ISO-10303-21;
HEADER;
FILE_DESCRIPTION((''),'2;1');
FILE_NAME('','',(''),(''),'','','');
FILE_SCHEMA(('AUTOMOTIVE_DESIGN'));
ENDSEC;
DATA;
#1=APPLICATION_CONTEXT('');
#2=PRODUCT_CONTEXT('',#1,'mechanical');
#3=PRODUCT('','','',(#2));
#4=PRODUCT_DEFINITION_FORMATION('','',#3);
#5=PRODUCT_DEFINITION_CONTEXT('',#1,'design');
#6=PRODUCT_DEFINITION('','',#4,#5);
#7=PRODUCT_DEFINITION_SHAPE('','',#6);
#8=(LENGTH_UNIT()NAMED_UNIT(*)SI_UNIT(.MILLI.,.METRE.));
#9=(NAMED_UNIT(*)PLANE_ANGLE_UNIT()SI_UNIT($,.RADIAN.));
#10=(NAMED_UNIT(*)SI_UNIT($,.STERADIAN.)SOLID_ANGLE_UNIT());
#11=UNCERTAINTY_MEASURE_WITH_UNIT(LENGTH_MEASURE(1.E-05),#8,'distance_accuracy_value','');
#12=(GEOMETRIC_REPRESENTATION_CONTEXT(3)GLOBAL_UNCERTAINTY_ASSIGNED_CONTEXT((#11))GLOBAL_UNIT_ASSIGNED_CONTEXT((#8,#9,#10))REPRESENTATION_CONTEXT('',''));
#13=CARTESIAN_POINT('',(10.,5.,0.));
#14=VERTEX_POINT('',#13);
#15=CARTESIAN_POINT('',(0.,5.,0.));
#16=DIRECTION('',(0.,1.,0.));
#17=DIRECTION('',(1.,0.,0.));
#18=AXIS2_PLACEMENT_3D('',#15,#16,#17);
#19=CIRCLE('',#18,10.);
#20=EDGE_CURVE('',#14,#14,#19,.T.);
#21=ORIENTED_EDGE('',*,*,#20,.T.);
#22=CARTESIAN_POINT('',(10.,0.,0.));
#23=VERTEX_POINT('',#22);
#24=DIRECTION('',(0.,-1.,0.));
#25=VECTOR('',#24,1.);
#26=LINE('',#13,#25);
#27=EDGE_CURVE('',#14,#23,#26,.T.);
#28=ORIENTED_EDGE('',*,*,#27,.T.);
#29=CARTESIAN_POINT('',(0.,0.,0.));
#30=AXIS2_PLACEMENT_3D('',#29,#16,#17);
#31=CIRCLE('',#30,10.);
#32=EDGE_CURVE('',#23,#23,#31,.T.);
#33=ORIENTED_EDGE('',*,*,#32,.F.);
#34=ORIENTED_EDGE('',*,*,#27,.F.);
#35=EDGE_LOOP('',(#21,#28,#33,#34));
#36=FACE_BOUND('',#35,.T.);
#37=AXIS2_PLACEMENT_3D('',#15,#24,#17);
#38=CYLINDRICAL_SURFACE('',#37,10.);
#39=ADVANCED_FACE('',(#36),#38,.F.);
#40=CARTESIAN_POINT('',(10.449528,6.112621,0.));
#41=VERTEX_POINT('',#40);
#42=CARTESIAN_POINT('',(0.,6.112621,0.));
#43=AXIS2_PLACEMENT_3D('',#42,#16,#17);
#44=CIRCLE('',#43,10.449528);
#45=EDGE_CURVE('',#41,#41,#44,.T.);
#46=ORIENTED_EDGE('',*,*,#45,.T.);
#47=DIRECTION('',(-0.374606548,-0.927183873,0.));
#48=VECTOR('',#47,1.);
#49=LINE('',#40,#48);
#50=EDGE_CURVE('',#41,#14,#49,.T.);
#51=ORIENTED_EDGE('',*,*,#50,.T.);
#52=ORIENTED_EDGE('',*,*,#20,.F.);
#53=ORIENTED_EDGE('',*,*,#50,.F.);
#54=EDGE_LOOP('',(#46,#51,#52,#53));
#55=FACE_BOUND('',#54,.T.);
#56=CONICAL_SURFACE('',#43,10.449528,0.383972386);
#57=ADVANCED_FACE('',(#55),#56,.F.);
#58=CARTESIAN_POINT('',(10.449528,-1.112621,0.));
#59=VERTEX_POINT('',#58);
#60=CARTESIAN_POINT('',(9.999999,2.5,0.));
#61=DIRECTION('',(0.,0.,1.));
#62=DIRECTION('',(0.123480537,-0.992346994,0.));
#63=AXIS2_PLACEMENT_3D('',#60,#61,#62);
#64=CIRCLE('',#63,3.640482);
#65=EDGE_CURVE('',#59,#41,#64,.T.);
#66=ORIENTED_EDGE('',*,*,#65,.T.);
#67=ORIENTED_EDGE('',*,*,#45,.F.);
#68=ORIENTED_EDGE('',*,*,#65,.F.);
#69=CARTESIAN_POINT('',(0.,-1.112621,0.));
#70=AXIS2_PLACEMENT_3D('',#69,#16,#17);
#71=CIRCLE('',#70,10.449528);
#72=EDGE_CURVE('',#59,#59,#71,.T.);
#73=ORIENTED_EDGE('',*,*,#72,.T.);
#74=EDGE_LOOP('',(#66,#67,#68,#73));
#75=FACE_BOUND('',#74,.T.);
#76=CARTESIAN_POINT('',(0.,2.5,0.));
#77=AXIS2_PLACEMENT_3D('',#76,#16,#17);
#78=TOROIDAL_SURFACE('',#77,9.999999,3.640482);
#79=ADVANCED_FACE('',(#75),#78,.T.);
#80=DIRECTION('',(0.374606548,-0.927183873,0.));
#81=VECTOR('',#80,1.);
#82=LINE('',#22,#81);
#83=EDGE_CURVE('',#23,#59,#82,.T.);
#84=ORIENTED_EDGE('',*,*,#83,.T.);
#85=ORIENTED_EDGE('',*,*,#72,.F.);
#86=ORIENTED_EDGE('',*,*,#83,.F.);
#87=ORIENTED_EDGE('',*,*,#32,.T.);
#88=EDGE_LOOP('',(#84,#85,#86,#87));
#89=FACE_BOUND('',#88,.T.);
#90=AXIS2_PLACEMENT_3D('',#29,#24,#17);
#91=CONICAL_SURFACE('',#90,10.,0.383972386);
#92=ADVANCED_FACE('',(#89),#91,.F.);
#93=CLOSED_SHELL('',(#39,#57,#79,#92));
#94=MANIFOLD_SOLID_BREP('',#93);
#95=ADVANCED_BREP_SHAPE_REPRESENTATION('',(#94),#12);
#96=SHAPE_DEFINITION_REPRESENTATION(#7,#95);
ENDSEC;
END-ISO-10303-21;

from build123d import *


with BuildPart() as f2:
    # F1 (on Top) → F2 (revolve)
    with BuildSketch(Plane.XY):
        with BuildLine():
            Line((10, 5), (10, 0))
            Line((10, 0), (10.449528, -1.112621))
            ThreePointArc((10.449528, -1.112621), (13.640481, 2.5), (10.449528, 6.112621))
            Line((10.449528, 6.112621), (10, 5))
        make_face()
    revolve(axis=Axis((0, 0.636724, 0), (0, 1, 0)))


solid = f2.part
